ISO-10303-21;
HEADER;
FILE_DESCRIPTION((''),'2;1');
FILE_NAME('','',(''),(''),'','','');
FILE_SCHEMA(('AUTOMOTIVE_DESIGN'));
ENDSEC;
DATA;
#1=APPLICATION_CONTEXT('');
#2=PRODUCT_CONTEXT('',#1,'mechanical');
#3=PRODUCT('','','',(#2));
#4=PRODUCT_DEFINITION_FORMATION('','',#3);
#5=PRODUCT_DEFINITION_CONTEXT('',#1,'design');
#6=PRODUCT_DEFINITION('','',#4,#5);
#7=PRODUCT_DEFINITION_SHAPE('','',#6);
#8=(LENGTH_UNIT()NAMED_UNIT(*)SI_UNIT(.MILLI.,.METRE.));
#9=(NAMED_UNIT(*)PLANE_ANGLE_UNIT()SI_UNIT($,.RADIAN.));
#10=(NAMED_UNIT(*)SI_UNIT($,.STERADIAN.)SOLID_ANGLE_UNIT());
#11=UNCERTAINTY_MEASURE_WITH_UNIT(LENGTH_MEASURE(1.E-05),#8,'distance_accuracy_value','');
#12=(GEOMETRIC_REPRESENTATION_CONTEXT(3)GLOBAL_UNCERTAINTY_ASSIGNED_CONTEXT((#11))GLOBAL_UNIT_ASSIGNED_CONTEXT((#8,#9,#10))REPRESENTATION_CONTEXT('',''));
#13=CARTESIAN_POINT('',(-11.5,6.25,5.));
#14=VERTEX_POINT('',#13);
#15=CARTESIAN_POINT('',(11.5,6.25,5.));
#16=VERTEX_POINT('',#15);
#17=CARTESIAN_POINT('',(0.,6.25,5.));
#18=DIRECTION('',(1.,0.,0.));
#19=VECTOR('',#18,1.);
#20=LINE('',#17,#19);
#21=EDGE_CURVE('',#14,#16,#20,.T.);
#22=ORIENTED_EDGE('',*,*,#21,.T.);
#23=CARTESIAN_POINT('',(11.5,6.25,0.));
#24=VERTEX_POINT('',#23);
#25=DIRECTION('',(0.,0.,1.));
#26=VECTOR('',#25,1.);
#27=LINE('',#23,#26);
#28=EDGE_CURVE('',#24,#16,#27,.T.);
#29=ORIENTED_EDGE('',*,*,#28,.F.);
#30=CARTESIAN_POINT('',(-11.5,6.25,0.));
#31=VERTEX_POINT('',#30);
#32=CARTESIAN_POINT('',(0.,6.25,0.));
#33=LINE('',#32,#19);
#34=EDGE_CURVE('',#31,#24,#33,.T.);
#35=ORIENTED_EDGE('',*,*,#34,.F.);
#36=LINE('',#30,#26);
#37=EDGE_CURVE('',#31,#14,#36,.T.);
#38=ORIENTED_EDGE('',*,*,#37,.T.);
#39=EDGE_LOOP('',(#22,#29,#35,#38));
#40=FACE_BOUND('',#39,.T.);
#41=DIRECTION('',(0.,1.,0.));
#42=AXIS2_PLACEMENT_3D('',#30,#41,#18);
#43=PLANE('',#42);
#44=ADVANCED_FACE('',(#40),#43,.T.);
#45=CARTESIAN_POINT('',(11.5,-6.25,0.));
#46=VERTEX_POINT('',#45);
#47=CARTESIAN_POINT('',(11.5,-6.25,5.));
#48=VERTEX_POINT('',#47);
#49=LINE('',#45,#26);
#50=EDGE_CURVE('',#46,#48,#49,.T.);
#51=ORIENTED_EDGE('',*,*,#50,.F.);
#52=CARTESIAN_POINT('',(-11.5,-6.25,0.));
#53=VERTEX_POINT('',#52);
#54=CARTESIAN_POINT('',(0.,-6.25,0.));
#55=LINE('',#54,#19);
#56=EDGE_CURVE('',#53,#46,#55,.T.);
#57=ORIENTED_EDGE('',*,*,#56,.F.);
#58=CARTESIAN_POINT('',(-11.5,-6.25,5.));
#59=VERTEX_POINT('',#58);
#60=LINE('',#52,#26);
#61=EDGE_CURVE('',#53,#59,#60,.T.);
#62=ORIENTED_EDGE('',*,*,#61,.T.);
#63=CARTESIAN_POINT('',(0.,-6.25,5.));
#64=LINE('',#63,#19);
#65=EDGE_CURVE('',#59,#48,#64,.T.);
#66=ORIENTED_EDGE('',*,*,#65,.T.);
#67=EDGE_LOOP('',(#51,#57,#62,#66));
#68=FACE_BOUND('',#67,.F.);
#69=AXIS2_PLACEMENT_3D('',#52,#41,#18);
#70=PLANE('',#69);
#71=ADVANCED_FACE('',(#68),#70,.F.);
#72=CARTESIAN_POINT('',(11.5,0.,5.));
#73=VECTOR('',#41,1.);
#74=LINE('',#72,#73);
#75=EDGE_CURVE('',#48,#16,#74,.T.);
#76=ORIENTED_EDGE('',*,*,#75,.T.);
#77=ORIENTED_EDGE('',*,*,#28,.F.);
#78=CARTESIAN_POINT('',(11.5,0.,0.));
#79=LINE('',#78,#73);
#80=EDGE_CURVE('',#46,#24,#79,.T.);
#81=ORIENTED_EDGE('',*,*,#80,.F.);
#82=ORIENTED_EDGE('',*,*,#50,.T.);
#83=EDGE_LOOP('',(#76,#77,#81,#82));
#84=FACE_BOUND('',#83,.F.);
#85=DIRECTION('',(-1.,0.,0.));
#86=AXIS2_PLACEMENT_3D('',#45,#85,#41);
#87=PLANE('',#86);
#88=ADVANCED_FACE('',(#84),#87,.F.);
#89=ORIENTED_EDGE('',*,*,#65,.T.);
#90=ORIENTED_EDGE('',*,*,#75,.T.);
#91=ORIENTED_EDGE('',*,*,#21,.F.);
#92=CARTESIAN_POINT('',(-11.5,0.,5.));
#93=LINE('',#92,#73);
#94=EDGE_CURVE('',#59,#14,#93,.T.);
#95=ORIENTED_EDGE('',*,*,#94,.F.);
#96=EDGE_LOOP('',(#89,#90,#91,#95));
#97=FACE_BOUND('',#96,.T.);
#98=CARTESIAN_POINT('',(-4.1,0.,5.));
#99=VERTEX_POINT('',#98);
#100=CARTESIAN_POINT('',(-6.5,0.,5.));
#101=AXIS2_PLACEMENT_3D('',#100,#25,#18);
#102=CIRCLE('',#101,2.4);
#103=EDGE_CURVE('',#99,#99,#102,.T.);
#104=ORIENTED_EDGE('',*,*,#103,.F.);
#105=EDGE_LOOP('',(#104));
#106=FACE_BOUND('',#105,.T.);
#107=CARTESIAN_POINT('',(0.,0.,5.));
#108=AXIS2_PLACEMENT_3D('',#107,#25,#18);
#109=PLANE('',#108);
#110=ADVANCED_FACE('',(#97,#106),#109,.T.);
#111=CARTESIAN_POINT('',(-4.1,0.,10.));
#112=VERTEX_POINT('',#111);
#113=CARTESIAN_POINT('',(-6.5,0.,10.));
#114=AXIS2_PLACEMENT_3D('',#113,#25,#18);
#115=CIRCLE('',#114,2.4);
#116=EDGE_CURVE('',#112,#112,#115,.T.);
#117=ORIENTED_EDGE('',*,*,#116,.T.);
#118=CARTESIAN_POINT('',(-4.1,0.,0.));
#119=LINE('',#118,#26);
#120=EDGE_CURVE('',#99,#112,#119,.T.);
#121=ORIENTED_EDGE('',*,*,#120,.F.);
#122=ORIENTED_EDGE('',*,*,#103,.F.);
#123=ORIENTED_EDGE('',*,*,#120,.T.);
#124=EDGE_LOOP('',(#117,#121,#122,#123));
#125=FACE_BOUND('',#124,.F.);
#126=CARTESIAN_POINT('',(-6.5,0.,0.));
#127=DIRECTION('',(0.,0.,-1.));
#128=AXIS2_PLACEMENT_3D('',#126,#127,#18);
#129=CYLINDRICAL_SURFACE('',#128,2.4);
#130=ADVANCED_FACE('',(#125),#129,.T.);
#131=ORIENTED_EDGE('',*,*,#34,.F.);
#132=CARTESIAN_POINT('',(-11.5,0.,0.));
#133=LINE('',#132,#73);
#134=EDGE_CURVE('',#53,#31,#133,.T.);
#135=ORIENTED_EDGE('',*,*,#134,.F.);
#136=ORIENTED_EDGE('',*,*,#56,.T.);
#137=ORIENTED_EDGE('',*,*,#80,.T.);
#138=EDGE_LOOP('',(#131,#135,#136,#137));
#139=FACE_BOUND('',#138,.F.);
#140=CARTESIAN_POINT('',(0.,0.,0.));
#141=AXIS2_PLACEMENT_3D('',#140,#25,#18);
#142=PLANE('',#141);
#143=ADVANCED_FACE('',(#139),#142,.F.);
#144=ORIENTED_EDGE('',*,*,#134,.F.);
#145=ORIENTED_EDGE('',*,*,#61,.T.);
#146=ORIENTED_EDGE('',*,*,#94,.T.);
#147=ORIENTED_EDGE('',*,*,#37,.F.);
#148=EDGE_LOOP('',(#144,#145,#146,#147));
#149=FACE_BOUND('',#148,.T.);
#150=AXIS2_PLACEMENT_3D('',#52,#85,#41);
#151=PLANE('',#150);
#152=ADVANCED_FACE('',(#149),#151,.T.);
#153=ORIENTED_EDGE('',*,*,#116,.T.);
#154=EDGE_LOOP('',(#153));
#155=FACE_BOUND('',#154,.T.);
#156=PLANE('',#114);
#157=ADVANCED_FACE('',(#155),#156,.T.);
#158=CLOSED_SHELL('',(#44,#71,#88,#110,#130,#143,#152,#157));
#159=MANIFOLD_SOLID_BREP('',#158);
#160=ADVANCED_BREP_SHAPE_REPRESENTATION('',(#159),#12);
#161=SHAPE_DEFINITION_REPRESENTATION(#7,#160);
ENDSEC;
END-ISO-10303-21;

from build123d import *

# Parameters (mm, degrees)
F0_W     = 23
F0_H     = 12.5
F0_R     = 2.4
F1_DEPTH = 5
F2_DEPTH = 10


with BuildPart() as f1:
    # F0 (on Top) → F1 (new body)
    with BuildSketch(Plane.XY):
        Rectangle(F0_W, F0_H)
        with Locations((-6.5, 0)):
            Circle(F0_R, mode=Mode.SUBTRACT)
    extrude(amount=F1_DEPTH)

    # F0 (on Top) → F2 (join)
    with BuildSketch(Plane.XY):
        with Locations((-6.5, 0)):
            Circle(F0_R)
    extrude(amount=F2_DEPTH)


solid = f1.part
